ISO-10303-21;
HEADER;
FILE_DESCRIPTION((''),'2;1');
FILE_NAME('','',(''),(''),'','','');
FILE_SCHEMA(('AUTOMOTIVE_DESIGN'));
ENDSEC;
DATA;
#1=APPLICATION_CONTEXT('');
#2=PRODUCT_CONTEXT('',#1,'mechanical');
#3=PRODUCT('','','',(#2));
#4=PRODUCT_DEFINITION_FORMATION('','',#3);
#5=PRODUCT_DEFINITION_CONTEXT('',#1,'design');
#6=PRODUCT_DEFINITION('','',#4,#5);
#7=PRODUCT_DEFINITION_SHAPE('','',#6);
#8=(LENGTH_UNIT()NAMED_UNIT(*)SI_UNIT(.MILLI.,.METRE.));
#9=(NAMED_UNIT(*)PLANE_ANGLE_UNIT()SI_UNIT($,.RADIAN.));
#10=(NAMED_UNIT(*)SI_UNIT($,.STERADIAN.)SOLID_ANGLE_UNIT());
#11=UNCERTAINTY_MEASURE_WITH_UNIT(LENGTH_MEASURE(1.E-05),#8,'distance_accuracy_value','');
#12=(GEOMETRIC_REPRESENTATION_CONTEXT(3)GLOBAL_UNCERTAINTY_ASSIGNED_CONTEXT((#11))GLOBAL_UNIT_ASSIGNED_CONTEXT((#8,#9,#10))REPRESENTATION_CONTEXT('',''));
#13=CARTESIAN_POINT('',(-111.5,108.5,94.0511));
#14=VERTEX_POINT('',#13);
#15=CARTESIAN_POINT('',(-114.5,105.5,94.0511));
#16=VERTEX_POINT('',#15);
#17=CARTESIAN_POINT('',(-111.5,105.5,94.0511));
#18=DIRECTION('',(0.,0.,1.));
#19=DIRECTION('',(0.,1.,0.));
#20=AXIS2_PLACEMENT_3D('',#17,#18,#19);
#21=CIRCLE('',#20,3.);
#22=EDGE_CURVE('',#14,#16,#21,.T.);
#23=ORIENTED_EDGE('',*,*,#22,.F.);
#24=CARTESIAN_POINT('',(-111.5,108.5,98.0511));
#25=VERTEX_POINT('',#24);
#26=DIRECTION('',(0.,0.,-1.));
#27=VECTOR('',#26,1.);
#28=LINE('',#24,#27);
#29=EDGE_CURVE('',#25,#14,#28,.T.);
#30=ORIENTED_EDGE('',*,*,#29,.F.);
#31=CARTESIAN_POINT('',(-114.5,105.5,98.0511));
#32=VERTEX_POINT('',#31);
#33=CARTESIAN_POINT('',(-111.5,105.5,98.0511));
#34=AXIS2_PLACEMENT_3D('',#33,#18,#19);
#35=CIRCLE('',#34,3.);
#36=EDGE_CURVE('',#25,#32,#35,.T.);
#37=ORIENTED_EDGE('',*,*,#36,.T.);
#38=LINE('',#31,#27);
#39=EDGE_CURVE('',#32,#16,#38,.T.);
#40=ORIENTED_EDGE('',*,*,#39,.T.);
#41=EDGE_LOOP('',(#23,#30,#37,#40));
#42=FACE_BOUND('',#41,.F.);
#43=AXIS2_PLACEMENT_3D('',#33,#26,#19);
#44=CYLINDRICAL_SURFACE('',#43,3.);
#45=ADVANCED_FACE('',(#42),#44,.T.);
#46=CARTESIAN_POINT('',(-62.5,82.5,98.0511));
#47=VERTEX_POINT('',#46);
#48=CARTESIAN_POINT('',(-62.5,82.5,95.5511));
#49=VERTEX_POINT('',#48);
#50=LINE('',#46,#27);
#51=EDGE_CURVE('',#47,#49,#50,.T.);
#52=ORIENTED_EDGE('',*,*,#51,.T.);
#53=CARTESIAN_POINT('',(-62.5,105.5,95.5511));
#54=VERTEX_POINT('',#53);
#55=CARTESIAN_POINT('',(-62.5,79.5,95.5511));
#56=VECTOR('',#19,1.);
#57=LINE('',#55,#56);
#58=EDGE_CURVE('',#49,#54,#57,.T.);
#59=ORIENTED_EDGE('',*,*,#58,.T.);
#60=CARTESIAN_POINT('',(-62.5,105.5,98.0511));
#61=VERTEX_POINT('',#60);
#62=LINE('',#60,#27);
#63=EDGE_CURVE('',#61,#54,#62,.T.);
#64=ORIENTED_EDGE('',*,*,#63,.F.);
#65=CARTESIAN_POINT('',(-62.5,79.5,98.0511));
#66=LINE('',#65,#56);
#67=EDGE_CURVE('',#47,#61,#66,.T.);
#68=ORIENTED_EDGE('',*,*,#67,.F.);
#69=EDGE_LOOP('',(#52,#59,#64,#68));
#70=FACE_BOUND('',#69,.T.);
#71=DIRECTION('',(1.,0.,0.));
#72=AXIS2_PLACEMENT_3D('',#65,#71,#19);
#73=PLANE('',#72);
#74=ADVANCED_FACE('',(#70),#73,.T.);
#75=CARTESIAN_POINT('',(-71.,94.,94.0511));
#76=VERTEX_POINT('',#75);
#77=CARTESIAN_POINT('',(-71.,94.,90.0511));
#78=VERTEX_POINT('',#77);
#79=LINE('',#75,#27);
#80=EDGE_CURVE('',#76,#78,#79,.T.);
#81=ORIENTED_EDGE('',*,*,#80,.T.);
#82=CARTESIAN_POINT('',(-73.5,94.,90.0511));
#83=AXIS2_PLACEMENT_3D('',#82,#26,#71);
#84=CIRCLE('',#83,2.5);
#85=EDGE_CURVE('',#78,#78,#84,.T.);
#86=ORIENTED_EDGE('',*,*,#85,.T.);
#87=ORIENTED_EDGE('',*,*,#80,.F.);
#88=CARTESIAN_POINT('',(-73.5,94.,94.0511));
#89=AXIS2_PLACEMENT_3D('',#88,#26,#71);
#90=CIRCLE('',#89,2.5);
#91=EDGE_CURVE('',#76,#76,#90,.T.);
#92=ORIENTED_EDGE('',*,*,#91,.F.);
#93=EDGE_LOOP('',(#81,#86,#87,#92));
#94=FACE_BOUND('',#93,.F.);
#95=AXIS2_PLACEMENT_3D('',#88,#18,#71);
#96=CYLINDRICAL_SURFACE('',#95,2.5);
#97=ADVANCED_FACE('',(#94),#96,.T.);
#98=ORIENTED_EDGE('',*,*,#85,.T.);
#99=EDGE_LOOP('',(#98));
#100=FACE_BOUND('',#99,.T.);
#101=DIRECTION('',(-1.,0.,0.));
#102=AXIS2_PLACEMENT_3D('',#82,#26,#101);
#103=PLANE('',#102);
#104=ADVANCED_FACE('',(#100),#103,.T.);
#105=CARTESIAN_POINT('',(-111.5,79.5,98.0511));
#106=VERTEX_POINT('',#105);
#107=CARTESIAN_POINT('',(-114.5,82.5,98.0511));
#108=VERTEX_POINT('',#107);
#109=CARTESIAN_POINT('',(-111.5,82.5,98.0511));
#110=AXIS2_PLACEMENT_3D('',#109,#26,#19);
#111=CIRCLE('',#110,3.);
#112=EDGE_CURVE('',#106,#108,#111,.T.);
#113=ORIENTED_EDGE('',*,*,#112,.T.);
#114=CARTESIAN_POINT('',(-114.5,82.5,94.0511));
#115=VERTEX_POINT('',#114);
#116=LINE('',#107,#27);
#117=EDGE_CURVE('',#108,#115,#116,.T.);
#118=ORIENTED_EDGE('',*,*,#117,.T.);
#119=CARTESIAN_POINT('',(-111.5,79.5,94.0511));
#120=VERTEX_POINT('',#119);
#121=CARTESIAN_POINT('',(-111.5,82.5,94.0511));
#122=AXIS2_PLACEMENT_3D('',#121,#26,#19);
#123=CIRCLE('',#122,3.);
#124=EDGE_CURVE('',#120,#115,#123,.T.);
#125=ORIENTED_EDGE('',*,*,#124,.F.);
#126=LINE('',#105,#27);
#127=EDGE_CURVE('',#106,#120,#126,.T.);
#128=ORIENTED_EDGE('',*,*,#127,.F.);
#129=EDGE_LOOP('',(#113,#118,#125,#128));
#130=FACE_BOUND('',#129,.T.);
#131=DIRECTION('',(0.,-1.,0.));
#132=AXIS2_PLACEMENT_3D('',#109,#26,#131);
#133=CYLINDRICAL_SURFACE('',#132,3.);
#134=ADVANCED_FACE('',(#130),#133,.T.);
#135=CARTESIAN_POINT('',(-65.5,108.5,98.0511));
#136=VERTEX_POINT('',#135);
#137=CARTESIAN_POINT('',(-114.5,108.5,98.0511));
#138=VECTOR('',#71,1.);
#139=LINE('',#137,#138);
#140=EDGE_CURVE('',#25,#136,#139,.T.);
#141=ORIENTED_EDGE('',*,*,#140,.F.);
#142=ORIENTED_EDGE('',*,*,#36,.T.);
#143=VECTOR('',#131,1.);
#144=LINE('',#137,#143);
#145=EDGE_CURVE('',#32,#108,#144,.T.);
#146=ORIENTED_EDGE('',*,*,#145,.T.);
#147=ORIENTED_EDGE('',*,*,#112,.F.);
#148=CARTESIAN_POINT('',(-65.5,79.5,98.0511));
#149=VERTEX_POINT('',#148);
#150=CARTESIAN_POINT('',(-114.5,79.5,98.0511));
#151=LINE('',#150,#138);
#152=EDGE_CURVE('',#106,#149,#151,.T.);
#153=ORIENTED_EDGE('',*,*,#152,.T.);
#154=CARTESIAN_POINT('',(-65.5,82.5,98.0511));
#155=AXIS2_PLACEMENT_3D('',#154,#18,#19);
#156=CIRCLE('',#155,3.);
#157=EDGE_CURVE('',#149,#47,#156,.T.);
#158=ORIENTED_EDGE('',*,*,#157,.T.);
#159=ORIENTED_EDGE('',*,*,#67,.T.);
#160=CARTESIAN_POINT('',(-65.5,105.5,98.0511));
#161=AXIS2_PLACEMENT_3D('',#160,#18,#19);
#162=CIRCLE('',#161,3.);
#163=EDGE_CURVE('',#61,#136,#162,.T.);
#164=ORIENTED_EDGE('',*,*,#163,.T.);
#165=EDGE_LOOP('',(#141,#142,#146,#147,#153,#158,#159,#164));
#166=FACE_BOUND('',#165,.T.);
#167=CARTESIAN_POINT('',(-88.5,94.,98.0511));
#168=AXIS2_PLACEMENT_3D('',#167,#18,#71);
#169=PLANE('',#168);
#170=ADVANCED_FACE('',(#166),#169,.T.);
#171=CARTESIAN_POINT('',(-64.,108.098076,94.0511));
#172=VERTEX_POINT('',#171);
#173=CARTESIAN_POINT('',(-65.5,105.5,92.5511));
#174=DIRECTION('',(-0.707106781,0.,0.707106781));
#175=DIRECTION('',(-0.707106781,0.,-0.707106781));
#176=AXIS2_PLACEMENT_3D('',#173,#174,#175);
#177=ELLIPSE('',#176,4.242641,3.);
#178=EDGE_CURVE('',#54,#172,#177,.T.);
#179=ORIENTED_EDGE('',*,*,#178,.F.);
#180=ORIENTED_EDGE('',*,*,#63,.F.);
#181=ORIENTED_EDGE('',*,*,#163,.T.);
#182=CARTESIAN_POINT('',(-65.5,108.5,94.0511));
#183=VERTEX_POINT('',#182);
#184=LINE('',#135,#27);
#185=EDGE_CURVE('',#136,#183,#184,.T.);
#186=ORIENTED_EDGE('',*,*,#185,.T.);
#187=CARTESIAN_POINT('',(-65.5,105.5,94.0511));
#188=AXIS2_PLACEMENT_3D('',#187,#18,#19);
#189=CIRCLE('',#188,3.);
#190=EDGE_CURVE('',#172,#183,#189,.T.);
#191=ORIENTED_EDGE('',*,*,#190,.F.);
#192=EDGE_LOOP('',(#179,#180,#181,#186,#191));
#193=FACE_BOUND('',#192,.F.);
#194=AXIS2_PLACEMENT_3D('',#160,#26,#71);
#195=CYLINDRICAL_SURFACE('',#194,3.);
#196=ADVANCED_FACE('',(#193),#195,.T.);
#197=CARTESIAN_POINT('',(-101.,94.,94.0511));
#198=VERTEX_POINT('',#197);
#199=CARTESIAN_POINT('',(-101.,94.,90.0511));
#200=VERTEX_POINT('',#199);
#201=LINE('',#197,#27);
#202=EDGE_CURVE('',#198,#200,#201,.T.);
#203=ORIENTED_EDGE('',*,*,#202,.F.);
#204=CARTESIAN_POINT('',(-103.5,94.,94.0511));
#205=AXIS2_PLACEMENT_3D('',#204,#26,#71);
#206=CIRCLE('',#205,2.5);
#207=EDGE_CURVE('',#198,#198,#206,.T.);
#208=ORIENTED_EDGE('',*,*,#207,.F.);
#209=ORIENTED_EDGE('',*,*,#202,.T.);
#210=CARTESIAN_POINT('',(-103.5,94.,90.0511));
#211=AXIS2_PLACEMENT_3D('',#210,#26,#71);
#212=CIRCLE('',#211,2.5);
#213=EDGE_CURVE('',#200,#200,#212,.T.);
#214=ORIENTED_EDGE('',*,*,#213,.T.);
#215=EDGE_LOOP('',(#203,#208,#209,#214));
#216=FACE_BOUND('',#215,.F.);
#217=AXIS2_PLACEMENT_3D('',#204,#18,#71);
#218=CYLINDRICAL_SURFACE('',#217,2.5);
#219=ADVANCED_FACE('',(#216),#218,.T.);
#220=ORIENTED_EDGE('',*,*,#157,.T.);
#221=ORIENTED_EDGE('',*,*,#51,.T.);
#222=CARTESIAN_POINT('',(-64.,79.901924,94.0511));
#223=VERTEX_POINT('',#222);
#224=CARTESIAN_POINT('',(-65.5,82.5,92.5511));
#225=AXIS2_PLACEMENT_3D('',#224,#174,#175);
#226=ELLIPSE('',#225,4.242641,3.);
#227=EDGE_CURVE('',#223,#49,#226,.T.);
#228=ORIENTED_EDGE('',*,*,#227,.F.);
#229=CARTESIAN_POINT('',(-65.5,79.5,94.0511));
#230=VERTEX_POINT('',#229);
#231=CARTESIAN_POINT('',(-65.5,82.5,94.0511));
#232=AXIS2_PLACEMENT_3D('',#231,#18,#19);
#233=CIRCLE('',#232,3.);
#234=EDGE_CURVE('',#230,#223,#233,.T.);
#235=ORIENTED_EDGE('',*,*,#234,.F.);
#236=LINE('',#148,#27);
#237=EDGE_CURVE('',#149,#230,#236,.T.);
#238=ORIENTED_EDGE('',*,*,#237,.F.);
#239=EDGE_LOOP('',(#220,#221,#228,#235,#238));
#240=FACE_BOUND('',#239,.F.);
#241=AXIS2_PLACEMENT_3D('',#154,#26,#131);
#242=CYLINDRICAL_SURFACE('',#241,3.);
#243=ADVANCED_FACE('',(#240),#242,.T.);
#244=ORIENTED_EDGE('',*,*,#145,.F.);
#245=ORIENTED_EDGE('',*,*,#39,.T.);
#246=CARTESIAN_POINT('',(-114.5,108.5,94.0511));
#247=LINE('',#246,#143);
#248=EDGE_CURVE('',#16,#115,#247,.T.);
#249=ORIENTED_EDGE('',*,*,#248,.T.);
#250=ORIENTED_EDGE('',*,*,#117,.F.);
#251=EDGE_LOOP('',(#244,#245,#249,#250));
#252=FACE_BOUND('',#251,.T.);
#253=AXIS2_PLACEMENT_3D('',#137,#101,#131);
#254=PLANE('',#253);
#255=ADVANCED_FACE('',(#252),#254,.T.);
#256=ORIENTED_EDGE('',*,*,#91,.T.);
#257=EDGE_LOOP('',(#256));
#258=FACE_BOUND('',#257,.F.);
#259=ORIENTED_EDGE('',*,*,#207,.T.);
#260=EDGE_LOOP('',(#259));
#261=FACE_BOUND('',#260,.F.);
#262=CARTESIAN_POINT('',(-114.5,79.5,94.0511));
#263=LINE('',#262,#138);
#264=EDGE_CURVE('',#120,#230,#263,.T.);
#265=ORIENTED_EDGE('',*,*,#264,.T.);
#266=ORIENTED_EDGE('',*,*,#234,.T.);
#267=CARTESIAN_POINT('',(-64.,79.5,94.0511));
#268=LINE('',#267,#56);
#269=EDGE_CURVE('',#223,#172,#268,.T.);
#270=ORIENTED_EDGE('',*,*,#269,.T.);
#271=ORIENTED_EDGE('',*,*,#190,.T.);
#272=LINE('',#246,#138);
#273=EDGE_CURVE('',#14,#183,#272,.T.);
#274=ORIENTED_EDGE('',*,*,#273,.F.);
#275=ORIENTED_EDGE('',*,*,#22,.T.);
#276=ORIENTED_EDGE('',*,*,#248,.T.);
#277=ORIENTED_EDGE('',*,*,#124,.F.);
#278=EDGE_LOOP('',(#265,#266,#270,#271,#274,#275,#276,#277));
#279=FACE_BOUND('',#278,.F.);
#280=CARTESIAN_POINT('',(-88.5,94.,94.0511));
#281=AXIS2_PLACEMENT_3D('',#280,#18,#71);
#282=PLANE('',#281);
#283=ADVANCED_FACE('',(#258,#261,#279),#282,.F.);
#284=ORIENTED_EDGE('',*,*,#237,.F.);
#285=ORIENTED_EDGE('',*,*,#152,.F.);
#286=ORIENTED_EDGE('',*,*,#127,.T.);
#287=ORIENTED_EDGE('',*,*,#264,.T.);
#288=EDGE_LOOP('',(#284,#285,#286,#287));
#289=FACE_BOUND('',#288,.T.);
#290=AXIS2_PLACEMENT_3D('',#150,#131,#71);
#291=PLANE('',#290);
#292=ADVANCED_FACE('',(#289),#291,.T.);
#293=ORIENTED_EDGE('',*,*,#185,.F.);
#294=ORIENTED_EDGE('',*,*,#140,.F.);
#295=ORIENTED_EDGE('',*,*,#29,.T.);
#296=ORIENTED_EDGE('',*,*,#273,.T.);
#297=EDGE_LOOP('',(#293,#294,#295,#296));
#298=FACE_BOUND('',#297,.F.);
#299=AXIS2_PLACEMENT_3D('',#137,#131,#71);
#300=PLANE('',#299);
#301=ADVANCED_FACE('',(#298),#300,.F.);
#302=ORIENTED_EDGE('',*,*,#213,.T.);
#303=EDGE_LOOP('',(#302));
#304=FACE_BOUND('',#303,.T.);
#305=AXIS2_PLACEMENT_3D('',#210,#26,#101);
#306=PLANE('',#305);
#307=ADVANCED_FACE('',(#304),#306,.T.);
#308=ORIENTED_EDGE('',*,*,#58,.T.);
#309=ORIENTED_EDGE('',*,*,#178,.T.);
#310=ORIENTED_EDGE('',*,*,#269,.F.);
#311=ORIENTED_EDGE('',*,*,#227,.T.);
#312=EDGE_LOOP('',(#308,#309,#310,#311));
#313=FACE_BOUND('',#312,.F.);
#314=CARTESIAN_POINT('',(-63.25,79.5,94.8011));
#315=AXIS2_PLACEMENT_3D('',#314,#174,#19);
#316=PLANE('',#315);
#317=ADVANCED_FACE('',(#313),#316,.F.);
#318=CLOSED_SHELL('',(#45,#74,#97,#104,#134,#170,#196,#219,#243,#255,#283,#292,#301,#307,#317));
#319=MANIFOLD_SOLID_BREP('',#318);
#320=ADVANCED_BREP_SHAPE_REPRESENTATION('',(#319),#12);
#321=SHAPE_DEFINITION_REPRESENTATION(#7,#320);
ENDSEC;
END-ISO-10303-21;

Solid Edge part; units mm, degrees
sketch "Sketch1" plane through (0, 0, 98.0511) normal (0, 0, 1) x (1, 0, 0)
  line L0 (-114.5, 79.5) -> (-62.5, 79.5)
  line L1 (-62.5, 79.5) -> (-62.5, 108.5)
  line L2 (-114.5, 108.5) -> (-62.5, 108.5)
  line L3 (-114.5, 108.5) -> (-114.5, 79.5)
extrude "Protrusion1" add sketch "Sketch1" against normal blind 4
fillet "Round_3" radius 3 2 edges at (-114.5, 79.5, 96.0511) (-114.5, 108.5, 96.0511)
chamfer "Chamfer_2" distance 1.5 angle 45 1 edges at (-62.5, 94, 94.0511)
fillet "Round_4" radius 3 2 edges at (-62.5, 79.5, 96.8011) (-62.5, 108.5, 96.8011)
sketch "Sketch2" plane through (-89.25, 94, 94.0511) normal (0, 0, -1) x (1, 0, 0)
  circle A0 centre (-14.25, 0) radius 2.5
  circle A1 centre (15.75, 0) radius 2.5
extrude "ExtrudedProtrusion_8" add sketch "Sketch2" along normal blind 4
